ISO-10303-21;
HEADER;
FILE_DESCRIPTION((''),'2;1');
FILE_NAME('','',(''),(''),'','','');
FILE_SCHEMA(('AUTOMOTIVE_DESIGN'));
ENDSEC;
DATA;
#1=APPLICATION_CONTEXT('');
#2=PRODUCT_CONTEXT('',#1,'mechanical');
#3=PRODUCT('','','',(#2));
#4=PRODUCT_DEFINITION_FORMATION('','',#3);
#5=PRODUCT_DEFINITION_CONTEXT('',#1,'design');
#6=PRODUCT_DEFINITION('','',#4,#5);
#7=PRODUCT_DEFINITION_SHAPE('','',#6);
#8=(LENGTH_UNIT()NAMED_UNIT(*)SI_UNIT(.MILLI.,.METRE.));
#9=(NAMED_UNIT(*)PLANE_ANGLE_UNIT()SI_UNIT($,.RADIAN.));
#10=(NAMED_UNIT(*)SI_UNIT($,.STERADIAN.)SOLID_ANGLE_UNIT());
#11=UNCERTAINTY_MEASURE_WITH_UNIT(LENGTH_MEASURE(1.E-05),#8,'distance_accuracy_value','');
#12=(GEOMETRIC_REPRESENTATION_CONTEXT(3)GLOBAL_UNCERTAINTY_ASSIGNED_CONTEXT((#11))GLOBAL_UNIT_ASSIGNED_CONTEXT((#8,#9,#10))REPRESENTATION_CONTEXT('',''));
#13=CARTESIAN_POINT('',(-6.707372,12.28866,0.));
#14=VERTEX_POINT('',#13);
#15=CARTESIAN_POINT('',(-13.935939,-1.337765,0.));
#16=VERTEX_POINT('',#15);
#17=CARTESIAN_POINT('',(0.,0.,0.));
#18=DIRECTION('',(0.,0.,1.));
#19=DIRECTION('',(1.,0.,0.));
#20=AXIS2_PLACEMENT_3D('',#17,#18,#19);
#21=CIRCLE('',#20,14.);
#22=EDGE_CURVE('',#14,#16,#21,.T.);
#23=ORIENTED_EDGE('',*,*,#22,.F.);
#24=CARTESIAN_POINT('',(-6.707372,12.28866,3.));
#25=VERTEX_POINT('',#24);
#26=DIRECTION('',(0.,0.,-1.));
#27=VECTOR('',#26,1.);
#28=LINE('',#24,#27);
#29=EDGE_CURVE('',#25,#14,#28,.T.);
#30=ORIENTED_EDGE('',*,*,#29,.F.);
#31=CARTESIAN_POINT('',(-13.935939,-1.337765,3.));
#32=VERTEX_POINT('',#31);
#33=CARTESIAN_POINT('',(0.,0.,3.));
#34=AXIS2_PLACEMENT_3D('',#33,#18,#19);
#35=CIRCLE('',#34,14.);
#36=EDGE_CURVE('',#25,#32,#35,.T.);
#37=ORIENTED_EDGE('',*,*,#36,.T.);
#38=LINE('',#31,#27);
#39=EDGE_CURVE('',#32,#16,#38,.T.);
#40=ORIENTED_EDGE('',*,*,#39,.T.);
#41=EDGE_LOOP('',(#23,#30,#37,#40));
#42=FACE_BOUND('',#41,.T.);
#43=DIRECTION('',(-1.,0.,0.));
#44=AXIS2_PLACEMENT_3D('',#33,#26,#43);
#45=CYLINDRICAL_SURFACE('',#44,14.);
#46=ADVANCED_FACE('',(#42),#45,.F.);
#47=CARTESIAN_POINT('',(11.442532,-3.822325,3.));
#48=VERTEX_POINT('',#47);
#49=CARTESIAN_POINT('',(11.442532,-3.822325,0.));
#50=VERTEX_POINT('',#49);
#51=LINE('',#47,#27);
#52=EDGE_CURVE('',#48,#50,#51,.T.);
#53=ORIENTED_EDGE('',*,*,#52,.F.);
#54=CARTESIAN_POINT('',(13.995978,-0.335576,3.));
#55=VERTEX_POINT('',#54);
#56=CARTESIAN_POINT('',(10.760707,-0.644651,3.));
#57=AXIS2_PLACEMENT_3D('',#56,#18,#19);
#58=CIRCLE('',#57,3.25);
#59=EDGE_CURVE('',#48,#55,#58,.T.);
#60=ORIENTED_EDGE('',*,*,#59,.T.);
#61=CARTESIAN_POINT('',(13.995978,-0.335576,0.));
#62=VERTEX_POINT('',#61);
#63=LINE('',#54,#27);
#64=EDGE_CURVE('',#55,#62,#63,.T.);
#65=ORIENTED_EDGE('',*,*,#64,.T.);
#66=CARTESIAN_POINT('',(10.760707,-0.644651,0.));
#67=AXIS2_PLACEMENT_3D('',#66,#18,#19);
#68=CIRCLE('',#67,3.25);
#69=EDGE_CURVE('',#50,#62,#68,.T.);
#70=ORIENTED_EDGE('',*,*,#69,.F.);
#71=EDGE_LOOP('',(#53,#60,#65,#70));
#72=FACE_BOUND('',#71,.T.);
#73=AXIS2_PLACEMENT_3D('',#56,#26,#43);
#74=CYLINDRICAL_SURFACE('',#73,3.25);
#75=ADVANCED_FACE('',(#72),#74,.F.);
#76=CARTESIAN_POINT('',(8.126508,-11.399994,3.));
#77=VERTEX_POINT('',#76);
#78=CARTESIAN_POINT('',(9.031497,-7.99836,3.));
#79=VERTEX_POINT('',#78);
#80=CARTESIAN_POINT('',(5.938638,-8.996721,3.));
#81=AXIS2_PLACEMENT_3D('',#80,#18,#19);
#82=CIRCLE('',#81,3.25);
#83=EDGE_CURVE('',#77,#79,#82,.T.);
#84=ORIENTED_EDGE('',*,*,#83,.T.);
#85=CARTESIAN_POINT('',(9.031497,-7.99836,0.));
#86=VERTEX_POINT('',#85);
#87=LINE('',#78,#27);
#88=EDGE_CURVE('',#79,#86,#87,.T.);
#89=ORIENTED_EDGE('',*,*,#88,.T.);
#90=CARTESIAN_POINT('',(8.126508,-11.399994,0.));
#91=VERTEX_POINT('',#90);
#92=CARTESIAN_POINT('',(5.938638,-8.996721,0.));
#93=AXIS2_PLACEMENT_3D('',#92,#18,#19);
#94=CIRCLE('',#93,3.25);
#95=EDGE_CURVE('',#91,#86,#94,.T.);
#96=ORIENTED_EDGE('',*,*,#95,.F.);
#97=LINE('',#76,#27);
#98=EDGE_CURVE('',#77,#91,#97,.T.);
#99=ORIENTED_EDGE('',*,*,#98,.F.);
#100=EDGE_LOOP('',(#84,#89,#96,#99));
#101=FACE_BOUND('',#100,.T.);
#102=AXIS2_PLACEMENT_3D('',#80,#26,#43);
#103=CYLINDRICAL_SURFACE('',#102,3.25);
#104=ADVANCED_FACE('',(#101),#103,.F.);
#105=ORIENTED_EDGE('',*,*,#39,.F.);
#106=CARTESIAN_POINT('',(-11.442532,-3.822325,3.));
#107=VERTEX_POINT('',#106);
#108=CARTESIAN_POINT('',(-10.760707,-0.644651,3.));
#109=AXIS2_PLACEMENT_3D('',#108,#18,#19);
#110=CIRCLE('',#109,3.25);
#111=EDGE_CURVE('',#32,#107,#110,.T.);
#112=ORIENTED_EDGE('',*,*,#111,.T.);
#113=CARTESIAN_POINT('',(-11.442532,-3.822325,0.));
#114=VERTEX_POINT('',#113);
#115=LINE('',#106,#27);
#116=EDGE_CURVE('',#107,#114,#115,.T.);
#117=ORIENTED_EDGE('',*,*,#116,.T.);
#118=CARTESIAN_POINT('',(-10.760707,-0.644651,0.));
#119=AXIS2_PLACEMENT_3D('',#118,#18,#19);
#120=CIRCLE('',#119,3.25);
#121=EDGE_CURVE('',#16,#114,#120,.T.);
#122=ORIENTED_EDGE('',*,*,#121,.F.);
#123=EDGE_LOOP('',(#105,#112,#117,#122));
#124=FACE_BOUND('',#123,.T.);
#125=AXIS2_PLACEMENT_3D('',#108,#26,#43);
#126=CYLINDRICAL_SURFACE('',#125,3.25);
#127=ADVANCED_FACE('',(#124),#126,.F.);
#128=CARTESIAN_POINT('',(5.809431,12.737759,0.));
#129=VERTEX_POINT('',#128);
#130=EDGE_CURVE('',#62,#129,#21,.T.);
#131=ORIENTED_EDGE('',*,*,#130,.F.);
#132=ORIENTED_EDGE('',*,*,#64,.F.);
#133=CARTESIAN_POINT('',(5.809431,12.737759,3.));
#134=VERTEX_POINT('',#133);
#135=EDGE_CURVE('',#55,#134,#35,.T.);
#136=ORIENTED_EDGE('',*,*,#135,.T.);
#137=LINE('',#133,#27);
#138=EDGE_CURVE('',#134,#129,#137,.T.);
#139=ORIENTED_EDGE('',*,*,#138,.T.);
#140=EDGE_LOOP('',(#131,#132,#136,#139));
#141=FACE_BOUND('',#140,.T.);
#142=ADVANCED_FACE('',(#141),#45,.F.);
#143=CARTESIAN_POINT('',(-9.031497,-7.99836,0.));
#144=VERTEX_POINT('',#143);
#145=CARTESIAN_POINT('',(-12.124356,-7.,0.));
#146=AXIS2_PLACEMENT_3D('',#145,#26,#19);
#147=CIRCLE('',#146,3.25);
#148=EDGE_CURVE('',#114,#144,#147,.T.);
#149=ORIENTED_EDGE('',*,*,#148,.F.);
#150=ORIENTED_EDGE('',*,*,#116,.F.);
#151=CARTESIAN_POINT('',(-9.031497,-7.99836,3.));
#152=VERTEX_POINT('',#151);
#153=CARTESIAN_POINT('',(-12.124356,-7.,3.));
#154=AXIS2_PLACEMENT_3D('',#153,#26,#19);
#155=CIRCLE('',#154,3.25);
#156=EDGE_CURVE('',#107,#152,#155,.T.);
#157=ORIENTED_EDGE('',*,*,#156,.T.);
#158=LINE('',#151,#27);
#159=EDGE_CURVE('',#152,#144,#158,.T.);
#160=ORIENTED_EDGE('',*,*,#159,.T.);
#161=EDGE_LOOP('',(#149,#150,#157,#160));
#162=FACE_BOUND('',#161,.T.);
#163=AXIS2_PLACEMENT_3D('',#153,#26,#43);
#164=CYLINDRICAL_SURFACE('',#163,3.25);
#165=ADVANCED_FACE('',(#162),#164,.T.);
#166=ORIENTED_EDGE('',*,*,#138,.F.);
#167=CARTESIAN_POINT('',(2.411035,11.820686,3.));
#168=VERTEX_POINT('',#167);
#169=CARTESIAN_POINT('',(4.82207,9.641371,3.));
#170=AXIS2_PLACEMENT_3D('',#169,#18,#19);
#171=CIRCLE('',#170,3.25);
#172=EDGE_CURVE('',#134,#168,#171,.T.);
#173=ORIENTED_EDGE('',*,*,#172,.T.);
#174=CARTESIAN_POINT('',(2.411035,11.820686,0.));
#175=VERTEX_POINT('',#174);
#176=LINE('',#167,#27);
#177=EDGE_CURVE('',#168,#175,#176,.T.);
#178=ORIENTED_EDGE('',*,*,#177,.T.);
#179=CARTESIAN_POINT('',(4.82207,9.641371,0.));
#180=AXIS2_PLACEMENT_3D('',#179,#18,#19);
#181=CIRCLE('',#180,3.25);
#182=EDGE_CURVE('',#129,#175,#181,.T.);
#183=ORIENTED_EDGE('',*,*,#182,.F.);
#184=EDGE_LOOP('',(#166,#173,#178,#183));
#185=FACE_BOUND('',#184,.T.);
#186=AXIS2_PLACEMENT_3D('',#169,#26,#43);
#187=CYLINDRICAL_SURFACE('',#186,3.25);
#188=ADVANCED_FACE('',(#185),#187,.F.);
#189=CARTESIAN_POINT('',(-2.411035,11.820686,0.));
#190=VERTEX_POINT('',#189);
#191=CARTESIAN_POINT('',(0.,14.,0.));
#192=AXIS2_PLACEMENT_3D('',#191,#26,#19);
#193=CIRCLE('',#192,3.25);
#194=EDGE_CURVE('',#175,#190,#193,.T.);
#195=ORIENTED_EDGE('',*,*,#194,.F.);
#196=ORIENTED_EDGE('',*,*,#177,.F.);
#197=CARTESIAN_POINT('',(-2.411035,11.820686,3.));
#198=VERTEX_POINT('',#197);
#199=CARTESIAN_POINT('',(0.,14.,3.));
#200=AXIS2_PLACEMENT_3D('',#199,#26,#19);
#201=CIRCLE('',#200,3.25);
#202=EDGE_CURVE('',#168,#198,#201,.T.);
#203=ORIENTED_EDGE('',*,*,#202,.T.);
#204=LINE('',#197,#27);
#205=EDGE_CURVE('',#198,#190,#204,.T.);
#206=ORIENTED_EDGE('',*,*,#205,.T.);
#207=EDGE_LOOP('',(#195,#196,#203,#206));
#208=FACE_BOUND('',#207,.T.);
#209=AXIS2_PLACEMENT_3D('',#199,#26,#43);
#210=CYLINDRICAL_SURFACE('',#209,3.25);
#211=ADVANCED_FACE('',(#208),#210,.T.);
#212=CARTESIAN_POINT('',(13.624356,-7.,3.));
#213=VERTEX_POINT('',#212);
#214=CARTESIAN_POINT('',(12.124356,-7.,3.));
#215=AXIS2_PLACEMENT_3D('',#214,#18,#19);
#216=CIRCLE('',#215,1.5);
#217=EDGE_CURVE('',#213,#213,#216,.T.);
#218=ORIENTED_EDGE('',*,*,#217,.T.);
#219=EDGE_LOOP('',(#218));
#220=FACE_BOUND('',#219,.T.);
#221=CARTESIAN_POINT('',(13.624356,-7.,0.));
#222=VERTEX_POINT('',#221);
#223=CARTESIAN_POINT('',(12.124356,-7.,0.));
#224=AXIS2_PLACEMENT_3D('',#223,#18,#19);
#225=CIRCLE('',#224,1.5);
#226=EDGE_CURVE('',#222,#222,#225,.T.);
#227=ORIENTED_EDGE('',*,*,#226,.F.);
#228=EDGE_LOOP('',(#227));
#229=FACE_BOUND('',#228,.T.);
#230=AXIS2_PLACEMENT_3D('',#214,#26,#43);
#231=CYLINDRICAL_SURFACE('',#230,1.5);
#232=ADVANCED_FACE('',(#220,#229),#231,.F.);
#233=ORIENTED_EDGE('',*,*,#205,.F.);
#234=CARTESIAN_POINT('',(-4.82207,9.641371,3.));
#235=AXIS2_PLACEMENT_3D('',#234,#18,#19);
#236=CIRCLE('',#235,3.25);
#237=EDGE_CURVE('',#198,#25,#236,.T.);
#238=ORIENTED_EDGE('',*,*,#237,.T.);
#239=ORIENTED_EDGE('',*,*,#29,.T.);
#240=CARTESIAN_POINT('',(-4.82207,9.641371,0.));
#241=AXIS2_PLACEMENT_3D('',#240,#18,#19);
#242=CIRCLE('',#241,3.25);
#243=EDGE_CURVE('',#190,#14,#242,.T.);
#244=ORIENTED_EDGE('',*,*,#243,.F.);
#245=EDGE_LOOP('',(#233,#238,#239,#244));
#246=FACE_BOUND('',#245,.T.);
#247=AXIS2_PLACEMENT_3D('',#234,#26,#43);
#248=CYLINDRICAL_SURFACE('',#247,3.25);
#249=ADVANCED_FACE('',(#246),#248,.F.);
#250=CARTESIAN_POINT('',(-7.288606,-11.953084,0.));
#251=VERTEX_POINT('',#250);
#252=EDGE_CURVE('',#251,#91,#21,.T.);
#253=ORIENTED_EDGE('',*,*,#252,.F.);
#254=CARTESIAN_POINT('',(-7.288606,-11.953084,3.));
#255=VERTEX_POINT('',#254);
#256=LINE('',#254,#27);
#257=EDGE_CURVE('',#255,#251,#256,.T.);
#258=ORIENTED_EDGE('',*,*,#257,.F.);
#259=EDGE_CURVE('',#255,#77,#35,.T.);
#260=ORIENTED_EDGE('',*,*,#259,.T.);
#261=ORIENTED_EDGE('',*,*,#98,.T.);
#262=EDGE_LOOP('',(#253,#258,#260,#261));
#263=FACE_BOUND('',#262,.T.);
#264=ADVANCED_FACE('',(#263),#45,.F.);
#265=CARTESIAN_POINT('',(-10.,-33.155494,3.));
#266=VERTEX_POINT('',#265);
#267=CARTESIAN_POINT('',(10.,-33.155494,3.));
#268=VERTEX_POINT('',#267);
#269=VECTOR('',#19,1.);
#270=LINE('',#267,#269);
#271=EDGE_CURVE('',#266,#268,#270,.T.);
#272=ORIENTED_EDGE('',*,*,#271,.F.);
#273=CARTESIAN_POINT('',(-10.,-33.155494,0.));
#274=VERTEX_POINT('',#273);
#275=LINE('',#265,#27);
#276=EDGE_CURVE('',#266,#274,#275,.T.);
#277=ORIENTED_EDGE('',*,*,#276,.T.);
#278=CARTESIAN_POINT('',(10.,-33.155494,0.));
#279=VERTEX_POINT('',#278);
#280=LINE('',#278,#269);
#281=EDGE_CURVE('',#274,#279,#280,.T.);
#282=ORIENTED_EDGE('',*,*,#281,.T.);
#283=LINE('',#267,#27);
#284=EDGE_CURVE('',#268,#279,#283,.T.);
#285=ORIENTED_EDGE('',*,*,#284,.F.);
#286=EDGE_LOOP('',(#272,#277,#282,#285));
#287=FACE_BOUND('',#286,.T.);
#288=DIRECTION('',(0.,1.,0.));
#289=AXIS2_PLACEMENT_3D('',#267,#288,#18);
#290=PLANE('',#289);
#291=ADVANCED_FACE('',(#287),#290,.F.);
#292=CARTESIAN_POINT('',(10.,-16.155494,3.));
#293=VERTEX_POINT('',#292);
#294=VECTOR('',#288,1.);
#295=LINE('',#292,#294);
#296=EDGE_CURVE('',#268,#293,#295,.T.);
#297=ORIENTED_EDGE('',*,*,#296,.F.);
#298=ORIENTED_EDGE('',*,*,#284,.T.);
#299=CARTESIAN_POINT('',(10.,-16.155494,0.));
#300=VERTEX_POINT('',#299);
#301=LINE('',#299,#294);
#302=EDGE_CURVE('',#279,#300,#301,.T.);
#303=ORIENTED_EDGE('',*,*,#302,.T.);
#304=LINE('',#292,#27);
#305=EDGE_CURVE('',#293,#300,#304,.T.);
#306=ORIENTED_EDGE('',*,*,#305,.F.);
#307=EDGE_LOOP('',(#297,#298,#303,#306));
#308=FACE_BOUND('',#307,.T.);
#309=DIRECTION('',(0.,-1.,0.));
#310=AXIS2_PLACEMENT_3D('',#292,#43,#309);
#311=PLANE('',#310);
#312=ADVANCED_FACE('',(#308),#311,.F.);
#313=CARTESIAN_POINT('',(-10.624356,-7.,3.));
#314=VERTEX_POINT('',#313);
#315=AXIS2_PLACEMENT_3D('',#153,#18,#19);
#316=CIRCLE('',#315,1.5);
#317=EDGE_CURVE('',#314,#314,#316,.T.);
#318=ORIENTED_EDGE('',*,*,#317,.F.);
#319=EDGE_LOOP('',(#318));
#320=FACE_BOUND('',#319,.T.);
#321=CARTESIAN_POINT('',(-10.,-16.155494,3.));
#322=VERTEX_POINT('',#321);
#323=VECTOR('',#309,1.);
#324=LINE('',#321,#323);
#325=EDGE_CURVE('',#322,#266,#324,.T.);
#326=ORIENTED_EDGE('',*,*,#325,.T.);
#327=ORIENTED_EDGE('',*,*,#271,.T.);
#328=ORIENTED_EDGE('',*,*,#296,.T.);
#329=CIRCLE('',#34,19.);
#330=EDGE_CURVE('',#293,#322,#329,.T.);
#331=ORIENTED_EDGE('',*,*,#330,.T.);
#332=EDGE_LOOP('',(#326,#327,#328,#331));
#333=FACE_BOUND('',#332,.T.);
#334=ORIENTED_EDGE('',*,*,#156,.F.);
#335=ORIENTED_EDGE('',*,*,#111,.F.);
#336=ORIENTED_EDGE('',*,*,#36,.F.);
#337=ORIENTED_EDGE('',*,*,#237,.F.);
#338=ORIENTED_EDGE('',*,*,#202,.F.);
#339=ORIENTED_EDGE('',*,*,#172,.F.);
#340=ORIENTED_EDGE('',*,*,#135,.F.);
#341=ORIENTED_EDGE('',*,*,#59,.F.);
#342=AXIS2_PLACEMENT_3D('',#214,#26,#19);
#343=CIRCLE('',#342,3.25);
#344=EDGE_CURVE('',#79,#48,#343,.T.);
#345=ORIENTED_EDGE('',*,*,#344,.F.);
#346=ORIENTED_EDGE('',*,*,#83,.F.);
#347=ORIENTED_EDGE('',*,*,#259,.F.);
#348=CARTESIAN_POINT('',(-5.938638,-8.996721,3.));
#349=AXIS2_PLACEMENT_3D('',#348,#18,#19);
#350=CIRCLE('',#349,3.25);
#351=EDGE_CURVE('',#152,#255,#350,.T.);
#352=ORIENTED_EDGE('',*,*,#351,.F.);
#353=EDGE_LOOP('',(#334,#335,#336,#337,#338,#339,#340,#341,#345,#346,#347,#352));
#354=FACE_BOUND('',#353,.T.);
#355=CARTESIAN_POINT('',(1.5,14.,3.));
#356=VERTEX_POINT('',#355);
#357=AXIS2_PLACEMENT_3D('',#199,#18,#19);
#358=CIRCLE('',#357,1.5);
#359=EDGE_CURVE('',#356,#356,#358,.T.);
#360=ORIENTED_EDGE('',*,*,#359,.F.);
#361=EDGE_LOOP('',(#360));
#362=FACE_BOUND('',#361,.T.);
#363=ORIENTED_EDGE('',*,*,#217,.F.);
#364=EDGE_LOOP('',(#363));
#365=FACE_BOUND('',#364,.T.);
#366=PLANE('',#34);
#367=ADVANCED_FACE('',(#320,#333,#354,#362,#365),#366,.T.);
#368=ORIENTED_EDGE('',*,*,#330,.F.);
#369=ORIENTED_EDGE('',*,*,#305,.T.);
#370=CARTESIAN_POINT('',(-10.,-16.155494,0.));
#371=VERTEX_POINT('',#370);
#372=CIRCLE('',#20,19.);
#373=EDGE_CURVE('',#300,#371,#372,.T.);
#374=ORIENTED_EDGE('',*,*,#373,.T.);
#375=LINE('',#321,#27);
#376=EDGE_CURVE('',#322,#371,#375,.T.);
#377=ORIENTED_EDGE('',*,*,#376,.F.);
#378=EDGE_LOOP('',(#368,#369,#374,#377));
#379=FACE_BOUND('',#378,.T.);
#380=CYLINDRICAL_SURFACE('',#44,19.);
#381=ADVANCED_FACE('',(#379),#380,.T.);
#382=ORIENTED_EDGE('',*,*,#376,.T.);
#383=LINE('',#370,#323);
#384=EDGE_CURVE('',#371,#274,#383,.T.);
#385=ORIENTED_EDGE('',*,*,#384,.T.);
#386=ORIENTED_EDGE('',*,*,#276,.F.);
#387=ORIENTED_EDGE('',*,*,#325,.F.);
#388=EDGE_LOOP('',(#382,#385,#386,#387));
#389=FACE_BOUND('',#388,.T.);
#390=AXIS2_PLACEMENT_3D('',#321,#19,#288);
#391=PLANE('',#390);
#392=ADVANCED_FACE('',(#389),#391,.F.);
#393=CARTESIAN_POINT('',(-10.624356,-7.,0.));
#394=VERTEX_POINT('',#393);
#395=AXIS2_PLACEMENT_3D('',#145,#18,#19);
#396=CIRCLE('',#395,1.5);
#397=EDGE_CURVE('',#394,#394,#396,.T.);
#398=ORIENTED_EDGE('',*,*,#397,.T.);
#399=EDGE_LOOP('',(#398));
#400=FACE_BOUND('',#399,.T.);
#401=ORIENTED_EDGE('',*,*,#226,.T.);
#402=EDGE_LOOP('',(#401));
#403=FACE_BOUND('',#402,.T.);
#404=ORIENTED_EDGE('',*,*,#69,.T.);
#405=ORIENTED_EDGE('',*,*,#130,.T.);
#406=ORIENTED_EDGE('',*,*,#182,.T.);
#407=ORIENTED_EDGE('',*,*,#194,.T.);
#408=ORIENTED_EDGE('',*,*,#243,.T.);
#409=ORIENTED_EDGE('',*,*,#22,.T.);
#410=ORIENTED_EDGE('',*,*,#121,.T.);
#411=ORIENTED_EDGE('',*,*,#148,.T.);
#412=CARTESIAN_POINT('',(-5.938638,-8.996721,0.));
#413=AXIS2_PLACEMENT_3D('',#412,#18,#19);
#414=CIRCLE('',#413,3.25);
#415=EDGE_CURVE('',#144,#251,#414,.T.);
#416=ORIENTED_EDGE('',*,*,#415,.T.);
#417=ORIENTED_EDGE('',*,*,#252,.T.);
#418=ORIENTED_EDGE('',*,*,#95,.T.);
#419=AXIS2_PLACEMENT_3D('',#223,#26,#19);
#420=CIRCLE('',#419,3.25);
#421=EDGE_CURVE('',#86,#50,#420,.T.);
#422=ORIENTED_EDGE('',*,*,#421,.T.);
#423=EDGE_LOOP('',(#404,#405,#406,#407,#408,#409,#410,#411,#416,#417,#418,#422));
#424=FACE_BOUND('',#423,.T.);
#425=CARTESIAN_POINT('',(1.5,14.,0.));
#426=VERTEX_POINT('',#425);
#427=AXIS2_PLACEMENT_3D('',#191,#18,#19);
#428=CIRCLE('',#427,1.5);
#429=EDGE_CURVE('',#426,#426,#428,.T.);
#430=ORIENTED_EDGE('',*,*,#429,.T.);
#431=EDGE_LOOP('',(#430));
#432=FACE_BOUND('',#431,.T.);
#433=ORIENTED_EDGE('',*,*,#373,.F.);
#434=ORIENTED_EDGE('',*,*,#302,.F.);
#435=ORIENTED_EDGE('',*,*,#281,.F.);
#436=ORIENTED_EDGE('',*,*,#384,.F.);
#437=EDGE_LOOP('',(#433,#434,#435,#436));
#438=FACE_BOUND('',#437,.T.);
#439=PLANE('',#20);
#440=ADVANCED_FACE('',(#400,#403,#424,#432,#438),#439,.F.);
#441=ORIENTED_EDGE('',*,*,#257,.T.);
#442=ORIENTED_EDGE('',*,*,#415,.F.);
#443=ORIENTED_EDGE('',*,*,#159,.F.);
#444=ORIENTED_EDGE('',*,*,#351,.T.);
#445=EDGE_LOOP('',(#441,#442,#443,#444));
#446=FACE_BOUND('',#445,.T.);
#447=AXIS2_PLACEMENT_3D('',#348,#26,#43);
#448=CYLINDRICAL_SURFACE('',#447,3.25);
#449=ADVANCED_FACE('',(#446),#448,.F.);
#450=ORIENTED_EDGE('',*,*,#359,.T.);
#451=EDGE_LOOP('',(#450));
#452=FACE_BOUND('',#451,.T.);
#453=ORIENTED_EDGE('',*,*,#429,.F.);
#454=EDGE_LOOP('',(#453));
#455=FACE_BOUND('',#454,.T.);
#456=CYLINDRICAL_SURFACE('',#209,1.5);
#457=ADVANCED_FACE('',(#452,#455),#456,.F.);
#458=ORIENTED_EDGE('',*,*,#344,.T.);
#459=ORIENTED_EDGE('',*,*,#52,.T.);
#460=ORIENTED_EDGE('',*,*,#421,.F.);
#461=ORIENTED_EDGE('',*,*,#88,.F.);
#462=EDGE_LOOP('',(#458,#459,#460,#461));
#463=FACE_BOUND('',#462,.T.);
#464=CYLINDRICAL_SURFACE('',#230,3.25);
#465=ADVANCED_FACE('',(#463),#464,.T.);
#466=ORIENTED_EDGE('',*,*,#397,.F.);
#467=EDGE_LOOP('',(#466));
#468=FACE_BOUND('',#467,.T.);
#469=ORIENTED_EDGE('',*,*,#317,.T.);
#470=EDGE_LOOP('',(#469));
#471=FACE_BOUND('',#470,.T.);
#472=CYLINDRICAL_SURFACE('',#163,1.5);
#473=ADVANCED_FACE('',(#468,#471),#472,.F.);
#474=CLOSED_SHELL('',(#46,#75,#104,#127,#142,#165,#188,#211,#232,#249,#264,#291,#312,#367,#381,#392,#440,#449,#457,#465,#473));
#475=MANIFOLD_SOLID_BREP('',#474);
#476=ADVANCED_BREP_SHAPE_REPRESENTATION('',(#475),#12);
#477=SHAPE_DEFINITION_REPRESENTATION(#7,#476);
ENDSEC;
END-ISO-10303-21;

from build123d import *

# Parameters (mm, degrees)
ESQUISSE1_R        = 1.5
BOSS_EXTRU_2_DEPTH = 3


with BuildPart() as part:
    # Esquisse1 → Boss.-Extru.2 (new body)
    with BuildSketch(Plane.XY):
        with BuildLine():
            Line((10, -16.155494421), (10, -33.155494421))
            Line((10, -33.155494421), (-10, -33.155494421))
            Line((-10, -33.155494421), (-10, -16.155494421))
            ThreePointArc((-10, -16.155494421), (0, 19), (10, -16.155494421))
        make_face()
        with Locations((0, 14)):
            Circle(ESQUISSE1_R, mode=Mode.SUBTRACT)
        with Locations((12.124355653, -7)):
            Circle(ESQUISSE1_R, mode=Mode.SUBTRACT)
        with Locations((-12.124355653, -7)):
            Circle(ESQUISSE1_R, mode=Mode.SUBTRACT)
        with BuildLine():
            ThreePointArc((-2.411034891, 11.820685714), (0, 10.75), (2.411034891, 11.820685714))
            ThreePointArc((2.411034891, 11.820685714), (3.975330286, 12.779130538), (5.80943088, 12.737759334))
            ThreePointArc((5.80943088, 12.737759334), (11.865562564, 7.430237213), (13.995977593, -0.335575935))
            ThreePointArc((13.995977593, -0.335575935), (13.382779595, -2.564868949), (11.442531564, -3.822325392))
            ThreePointArc((11.442531564, -3.822325392), (9.309773091, -5.375), (9.031496673, -7.998360322))
            ThreePointArc((9.031496673, -7.998360322), (9.079386541, -9.832302285), (8.126507731, -11.399994391))
            ThreePointArc((8.126507731, -11.399994391), (0.5019929, -13.990997217), (-7.288606081, -11.953084179))
            ThreePointArc((-7.288606081, -11.953084179), (-8.912631465, -10.307392628), (-9.031496673, -7.998360322))
            ThreePointArc((-9.031496673, -7.998360322), (-9.309773091, -5.375), (-11.442531564, -3.822325392))
            ThreePointArc((-11.442531564, -3.822325392), (-13.054716827, -2.946828253), (-13.935938611, -1.337764944))
            ThreePointArc((-13.935938611, -1.337764944), (-12.367555464, 6.560760004), (-6.707371512, 12.288660114))
            ThreePointArc((-6.707371512, 12.288660114), (-4.47014813, 12.872261577), (-2.411034891, 11.820685714))
        make_face(mode=Mode.SUBTRACT)
    extrude(amount=BOSS_EXTRU_2_DEPTH)


solid = part.part
